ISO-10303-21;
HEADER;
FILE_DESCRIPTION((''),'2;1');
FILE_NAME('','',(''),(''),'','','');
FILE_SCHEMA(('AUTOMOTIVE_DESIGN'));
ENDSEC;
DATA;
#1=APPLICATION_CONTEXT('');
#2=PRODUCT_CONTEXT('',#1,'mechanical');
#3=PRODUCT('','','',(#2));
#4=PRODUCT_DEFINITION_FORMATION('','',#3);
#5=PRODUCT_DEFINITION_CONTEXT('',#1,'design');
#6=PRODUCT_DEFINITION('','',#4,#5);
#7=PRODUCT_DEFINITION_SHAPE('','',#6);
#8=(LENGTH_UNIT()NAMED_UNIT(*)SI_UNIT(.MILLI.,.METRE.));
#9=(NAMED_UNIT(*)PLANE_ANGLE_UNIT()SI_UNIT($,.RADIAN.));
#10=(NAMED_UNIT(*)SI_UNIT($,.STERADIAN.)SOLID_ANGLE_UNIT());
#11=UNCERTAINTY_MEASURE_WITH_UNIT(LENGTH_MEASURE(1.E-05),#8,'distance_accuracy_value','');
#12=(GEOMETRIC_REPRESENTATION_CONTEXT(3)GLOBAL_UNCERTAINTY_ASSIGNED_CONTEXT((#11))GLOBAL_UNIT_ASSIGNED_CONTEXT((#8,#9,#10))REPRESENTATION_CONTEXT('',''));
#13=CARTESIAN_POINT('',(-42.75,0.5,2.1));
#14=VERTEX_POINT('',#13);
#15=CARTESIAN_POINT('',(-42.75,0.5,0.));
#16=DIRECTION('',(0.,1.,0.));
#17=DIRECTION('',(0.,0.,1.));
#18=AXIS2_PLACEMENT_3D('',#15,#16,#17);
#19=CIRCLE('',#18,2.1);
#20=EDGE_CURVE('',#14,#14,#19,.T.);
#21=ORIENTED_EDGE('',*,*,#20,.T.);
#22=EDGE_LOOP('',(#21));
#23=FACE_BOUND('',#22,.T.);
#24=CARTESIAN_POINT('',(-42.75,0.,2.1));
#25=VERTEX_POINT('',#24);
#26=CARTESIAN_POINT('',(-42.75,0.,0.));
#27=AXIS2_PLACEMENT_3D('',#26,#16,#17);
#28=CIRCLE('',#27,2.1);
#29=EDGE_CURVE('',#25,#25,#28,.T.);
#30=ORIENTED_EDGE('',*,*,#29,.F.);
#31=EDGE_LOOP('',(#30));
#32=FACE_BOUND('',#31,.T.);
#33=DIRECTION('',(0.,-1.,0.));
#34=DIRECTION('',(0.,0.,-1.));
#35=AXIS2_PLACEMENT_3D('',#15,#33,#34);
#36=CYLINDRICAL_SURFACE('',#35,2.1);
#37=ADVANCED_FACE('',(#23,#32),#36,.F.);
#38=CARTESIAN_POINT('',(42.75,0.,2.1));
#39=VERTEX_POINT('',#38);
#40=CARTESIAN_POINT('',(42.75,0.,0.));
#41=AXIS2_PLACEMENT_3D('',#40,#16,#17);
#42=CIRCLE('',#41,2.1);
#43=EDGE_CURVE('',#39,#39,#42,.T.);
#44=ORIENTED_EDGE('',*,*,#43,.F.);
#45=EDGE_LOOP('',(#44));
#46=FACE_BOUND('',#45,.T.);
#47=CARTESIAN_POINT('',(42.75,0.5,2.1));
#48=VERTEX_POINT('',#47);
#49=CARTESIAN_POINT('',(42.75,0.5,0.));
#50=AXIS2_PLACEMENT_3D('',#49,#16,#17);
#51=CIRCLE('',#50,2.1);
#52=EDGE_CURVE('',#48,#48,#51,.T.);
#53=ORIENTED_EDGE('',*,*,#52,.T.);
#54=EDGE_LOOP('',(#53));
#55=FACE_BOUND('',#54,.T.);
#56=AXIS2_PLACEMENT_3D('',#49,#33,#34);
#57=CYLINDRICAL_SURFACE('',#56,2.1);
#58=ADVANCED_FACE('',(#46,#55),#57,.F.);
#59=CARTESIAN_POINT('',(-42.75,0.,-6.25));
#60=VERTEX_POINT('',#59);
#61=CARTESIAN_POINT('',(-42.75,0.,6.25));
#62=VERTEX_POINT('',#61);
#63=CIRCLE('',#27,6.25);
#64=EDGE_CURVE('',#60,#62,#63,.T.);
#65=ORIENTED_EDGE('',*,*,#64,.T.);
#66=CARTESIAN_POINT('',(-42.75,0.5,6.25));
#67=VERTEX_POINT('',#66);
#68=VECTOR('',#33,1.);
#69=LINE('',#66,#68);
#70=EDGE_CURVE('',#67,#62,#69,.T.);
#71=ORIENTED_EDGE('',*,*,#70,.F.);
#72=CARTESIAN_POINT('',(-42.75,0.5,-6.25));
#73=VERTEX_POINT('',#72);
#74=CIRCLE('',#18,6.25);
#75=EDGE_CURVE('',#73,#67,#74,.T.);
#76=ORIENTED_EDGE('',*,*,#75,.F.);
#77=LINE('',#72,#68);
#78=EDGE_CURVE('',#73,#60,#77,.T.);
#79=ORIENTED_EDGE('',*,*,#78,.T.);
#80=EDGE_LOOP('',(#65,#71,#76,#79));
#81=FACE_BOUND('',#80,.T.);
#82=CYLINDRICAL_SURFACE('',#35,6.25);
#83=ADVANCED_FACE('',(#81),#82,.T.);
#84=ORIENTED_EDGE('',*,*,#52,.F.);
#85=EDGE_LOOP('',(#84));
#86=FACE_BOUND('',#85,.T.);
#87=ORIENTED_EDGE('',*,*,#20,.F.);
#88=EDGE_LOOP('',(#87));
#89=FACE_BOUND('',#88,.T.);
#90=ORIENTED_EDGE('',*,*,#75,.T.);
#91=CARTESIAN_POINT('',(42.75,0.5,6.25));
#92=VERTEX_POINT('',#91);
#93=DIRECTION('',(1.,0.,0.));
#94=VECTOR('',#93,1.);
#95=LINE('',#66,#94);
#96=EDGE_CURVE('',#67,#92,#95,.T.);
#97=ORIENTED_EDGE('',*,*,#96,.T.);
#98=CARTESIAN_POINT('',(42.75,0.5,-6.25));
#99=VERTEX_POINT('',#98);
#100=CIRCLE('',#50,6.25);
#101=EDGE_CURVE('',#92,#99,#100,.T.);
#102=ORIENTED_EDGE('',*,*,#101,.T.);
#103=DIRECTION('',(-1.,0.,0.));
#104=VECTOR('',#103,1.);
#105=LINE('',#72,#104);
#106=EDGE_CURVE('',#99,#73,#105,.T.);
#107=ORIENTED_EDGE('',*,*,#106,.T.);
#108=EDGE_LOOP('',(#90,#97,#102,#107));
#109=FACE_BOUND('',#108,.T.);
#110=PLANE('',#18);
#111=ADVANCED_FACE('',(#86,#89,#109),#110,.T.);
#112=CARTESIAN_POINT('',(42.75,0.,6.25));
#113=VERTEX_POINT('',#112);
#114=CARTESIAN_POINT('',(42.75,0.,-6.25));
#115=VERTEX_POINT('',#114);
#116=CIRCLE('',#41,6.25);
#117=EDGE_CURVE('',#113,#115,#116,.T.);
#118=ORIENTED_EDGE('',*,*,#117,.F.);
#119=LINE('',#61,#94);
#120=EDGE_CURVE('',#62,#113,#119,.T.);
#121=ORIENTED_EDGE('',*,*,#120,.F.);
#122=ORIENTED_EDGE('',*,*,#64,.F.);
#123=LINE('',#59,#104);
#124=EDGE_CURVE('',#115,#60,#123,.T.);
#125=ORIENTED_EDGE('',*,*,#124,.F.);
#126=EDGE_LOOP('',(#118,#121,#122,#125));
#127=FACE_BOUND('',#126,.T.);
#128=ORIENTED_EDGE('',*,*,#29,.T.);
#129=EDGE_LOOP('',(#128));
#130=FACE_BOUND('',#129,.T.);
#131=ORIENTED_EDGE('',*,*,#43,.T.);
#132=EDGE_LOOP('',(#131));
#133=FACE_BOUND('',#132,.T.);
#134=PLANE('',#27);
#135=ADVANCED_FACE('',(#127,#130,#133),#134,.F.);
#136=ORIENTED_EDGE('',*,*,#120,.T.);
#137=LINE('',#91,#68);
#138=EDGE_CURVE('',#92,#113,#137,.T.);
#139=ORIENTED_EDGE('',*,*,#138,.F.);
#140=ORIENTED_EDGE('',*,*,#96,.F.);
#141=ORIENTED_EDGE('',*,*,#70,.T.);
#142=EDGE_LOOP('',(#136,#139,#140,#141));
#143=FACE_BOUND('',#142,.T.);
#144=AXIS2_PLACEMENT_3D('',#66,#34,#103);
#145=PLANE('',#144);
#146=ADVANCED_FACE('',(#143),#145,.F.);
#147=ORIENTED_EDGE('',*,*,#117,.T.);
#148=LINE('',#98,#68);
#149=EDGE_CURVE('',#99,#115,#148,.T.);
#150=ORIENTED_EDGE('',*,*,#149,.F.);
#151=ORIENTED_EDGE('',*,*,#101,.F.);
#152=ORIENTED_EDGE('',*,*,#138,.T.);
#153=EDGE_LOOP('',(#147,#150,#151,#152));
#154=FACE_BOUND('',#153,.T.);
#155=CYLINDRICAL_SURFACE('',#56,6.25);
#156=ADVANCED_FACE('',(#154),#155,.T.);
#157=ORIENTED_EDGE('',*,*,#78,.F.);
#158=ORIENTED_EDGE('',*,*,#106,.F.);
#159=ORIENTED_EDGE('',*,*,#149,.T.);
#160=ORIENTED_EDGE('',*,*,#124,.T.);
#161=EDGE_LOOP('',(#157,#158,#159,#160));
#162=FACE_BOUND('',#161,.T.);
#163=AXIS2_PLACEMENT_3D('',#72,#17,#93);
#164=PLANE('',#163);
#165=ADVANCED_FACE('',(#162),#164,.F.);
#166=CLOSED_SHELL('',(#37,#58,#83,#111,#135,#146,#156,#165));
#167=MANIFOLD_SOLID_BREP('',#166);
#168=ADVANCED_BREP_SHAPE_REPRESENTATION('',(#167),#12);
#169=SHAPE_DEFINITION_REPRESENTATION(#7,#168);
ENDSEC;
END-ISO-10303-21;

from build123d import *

# Parameters (mm, degrees)
SKETCH_1_R      = 2.1
EXTRUDE_1_DEPTH = 0.5


with BuildPart() as part:
    # 草圖1 → 填料-伸長1 (new body)
    with BuildSketch(Plane(origin=(0, 0, 0), x_dir=(1, 0, 0), z_dir=(0, 1, 0))):
        with BuildLine():
            Line((-42.75, 6.25), (42.75, 6.25))
            ThreePointArc((42.75, 6.25), (49, 0), (42.75, -6.25))
            Line((42.75, -6.25), (-42.75, -6.25))
            ThreePointArc((-42.75, -6.25), (-49, 0), (-42.75, 6.25))
        make_face()
        with Locations((-42.75, 0)):
            Circle(SKETCH_1_R, mode=Mode.SUBTRACT)
        with Locations((42.75, 0)):
            Circle(SKETCH_1_R, mode=Mode.SUBTRACT)
    extrude(amount=EXTRUDE_1_DEPTH)


solid = part.part
